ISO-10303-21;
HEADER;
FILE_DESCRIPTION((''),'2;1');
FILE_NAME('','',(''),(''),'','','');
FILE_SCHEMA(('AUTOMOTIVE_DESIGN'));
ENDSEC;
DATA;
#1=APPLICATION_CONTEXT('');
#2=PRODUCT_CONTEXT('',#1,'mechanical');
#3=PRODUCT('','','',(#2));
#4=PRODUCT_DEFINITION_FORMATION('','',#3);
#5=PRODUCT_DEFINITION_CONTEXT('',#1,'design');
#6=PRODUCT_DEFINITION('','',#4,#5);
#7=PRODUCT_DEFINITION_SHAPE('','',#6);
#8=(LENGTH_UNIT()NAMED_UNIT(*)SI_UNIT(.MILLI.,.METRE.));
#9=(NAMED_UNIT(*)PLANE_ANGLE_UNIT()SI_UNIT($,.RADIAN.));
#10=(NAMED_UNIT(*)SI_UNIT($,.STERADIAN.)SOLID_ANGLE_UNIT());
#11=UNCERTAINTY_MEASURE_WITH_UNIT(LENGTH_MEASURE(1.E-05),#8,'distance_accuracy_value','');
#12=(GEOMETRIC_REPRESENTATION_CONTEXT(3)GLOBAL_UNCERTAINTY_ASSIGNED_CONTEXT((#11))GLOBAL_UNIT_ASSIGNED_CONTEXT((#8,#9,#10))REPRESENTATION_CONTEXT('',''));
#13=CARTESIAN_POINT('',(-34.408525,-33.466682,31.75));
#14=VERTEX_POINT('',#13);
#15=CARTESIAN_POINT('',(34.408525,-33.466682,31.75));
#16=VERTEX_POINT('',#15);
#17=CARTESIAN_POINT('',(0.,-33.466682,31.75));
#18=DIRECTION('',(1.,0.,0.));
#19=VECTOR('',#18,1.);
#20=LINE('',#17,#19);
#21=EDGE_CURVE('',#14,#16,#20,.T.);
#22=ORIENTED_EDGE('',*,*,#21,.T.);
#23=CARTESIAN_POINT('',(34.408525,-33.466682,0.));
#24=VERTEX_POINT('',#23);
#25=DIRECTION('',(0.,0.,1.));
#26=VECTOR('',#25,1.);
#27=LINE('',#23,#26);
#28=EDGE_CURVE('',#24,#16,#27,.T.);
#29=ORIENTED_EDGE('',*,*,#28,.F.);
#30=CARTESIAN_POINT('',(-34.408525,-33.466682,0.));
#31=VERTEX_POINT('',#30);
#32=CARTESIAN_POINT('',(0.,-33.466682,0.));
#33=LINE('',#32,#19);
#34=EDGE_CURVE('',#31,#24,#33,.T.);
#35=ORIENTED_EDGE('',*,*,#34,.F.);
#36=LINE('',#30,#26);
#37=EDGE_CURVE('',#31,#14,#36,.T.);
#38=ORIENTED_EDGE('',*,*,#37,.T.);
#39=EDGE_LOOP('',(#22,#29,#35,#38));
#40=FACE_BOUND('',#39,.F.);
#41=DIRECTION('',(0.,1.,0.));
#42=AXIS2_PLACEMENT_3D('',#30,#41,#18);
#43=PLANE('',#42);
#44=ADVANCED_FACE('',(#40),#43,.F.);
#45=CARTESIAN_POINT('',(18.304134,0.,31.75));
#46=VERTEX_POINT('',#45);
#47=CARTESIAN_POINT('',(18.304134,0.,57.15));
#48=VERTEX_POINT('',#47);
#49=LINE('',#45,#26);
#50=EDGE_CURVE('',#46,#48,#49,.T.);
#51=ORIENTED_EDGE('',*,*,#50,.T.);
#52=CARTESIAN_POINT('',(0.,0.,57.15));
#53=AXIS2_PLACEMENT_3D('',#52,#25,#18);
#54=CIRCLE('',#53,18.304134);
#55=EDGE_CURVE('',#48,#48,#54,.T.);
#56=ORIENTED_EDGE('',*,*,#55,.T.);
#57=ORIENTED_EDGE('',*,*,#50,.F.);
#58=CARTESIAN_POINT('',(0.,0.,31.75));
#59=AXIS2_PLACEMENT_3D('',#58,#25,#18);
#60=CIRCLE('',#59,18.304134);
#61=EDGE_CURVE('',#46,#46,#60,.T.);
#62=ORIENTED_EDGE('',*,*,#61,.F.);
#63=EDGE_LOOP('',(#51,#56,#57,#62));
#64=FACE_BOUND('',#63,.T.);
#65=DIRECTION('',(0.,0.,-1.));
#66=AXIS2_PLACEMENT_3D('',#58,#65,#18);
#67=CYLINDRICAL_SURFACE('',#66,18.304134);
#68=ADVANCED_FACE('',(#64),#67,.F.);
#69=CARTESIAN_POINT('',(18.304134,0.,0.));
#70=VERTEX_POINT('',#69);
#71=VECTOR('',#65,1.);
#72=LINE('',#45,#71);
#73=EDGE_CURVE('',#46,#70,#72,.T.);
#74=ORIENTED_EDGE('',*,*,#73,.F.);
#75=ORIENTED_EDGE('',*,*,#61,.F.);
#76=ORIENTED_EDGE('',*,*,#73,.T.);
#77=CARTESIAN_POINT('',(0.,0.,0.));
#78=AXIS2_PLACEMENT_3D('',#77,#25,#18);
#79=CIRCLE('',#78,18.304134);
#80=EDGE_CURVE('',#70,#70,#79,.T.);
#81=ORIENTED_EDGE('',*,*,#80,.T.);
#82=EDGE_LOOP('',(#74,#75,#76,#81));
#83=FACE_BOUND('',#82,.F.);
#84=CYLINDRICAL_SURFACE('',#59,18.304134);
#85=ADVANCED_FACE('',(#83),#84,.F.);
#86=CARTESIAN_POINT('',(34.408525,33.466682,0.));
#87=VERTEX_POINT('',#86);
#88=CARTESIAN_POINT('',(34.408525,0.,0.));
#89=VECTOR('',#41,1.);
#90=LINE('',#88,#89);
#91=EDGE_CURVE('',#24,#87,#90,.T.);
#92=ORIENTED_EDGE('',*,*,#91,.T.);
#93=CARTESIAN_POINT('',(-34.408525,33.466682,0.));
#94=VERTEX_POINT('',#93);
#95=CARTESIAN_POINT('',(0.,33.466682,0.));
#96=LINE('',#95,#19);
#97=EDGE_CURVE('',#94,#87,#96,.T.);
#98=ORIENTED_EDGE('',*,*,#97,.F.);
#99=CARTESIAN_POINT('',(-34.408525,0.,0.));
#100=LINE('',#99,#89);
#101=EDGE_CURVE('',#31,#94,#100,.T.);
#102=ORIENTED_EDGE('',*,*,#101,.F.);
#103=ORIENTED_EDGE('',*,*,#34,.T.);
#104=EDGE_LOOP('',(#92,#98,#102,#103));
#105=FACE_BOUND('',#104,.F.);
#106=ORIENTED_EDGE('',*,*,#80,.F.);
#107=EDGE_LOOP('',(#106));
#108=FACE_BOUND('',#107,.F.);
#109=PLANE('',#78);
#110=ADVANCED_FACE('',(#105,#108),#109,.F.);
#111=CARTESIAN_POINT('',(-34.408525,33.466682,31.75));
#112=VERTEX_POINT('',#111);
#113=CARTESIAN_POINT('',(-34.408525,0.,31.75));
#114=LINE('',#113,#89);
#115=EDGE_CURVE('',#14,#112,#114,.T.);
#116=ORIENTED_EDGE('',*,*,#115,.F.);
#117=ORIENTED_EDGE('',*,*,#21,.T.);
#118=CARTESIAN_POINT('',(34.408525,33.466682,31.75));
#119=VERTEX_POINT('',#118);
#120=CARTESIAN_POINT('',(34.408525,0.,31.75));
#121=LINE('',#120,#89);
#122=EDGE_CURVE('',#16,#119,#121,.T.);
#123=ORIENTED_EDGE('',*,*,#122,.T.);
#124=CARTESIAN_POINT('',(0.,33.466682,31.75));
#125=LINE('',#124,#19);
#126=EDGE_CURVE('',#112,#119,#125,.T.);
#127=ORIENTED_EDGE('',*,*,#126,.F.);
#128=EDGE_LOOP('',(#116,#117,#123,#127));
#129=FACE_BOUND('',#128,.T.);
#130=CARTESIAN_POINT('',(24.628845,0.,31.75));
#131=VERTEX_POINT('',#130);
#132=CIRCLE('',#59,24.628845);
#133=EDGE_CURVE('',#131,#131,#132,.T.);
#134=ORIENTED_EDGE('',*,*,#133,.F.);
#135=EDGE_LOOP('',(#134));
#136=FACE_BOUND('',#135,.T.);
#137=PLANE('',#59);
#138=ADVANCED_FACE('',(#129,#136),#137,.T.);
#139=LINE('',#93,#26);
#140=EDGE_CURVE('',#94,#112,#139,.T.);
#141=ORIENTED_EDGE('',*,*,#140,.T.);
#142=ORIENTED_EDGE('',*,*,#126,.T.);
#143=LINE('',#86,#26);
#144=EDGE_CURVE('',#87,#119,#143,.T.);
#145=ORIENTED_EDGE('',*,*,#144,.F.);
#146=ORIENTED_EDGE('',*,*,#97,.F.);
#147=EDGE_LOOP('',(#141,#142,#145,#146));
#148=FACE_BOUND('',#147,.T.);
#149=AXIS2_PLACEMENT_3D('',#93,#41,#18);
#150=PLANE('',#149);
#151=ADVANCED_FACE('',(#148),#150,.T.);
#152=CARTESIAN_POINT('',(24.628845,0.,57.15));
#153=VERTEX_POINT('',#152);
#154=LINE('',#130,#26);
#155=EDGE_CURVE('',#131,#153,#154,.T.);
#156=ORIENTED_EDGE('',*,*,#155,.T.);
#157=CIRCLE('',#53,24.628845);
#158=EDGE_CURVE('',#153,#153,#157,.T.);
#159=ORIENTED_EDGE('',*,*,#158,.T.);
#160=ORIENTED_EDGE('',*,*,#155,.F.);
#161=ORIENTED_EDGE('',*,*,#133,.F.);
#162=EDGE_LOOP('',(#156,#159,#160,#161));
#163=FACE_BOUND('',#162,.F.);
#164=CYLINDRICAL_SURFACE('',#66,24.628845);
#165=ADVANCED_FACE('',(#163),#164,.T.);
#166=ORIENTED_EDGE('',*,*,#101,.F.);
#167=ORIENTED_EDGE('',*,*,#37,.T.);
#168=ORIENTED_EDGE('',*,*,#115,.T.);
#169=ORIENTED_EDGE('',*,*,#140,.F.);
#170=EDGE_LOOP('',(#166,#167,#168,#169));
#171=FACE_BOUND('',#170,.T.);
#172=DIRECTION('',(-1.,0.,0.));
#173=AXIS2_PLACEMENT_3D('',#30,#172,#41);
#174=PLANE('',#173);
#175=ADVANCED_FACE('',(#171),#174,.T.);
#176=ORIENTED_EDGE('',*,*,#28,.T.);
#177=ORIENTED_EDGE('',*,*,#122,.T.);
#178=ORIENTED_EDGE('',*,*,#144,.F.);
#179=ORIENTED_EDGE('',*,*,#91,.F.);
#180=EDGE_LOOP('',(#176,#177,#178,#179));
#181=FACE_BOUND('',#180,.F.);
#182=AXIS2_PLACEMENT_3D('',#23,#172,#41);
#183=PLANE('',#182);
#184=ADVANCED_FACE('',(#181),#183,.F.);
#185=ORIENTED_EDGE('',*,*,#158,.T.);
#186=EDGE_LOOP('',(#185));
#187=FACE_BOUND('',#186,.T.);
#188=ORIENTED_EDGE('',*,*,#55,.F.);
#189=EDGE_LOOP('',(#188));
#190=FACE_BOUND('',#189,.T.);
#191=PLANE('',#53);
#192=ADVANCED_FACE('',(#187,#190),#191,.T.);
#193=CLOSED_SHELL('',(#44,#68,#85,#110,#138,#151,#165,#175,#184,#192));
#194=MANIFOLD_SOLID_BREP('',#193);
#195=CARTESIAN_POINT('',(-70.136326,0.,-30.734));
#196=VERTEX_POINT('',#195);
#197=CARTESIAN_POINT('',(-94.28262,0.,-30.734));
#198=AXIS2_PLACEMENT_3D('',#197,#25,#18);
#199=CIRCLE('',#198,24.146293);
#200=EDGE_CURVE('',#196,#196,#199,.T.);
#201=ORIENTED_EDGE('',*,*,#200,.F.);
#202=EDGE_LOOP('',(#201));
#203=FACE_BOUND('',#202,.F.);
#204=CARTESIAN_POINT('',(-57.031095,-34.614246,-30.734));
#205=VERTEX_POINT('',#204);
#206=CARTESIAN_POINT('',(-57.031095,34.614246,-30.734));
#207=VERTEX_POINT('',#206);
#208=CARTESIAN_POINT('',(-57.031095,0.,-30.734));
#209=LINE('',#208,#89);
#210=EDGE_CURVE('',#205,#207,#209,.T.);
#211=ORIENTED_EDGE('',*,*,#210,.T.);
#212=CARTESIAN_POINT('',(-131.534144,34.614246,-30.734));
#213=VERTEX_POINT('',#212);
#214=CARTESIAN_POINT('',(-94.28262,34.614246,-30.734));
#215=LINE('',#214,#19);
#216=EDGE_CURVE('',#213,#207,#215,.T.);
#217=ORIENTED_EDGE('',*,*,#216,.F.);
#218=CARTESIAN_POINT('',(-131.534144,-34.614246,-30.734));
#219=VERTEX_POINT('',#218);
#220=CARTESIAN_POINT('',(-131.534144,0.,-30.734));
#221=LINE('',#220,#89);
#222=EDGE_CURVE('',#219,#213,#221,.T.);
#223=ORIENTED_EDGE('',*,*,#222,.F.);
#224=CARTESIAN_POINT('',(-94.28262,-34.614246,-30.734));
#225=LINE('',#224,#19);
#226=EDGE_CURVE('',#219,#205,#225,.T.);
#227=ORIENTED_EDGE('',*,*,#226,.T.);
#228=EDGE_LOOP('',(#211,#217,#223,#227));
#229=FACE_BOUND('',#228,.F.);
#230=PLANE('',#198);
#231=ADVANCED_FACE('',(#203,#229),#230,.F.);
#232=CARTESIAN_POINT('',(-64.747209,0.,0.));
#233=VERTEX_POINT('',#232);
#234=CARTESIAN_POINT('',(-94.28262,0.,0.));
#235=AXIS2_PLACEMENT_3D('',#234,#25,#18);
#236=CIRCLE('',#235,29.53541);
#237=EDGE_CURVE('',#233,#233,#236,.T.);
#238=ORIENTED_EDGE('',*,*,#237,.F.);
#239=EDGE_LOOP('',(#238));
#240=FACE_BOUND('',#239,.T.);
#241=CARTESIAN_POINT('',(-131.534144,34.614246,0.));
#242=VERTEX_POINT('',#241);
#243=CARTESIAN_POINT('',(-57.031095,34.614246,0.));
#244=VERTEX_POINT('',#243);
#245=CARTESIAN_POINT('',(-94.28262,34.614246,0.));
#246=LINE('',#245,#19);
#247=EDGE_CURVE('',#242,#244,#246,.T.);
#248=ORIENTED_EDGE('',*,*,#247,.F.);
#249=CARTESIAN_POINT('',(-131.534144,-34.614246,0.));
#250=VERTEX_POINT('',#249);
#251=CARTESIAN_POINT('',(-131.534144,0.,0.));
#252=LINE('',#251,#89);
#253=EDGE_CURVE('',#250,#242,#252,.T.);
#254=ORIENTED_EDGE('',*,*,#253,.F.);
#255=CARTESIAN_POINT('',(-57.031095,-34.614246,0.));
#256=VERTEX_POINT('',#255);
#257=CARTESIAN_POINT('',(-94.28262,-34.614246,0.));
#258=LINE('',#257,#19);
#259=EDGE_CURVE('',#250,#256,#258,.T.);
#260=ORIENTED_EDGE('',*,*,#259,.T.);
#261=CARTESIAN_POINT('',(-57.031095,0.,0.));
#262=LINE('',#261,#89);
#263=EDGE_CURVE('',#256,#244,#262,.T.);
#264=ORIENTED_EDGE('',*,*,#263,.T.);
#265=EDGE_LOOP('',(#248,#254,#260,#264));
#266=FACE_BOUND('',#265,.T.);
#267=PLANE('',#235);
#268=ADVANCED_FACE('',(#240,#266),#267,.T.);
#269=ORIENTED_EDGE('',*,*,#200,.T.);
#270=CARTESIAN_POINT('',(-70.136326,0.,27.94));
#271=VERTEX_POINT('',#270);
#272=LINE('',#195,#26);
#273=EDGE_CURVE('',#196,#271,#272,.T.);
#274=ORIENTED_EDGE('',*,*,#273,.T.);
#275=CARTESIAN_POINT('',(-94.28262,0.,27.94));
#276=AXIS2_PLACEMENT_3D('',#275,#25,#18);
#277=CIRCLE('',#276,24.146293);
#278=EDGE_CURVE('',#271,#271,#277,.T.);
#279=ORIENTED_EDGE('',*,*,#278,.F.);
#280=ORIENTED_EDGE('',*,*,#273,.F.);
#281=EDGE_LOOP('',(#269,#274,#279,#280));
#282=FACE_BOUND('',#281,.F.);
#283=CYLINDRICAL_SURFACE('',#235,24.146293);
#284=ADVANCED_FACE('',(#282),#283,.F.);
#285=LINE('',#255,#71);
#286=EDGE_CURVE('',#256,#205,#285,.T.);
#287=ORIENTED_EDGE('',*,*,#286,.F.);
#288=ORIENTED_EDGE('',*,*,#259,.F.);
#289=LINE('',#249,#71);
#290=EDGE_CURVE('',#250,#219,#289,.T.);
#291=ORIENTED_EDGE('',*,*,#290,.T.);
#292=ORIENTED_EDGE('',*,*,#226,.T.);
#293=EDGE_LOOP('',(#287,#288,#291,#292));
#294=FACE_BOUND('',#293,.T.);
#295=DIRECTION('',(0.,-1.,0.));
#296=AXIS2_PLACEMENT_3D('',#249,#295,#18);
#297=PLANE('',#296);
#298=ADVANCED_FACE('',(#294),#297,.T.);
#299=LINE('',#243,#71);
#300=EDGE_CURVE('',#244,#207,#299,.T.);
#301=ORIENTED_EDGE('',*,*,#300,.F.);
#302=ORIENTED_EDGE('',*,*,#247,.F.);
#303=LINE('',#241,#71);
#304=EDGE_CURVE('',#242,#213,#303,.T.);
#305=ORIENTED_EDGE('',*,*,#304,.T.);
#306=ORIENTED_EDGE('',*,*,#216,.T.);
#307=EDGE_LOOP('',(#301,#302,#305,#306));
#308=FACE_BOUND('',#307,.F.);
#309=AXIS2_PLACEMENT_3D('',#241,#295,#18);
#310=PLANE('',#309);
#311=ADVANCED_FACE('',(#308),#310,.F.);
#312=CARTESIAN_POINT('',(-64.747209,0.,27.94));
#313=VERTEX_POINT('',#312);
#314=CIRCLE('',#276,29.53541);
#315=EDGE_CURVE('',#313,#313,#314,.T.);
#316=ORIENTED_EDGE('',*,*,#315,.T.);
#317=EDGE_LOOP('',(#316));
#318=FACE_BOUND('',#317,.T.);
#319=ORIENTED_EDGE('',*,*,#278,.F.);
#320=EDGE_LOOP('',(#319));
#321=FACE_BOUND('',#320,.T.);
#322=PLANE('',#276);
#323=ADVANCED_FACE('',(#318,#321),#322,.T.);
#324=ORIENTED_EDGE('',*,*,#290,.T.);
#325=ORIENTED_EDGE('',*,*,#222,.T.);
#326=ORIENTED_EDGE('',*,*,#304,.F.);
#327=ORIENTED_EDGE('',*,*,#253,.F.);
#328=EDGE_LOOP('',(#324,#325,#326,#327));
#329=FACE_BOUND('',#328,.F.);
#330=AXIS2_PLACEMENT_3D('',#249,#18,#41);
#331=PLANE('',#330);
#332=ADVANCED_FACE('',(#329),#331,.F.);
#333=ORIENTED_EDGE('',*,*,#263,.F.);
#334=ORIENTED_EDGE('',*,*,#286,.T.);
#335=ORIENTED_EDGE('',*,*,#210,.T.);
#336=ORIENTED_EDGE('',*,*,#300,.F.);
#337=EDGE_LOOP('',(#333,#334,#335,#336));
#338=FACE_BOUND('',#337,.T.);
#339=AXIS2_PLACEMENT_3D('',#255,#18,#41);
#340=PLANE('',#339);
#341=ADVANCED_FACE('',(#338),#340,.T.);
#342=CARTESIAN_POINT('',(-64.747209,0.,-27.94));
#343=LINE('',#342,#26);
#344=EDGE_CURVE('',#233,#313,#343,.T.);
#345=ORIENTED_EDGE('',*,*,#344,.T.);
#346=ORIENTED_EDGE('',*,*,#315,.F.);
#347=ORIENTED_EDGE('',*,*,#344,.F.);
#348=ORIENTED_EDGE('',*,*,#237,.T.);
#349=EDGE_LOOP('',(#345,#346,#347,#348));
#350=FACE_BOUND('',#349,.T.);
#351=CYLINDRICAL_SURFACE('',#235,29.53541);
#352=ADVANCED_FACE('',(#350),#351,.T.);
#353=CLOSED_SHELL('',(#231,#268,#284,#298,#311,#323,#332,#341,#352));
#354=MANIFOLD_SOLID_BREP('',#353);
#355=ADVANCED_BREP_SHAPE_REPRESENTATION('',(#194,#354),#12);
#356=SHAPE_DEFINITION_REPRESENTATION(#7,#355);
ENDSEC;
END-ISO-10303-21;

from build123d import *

# Parameters (mm, degrees)
F0_W      = 68.8170492649
F0_H      = 66.9333636761
F1_DEPTH  = 31.75
F2_R      = 18.3041335775
F3_DEPTH  = 140.462
F4_R      = 24.6288447619
F4_R_2    = 18.3041335775
F5_DEPTH  = 25.4
F6_W      = 74.5030492544
F6_H      = 69.2284926772
F6_R      = 24.1462933533
F7_DEPTH  = 30.734
F9_R      = 29.5354101633
F9_R_2    = 24.1462933533
F10_DEPTH = 27.94


with BuildPart() as f1:
    # F0 (on Top) → F1 (new body)
    with BuildSketch(Plane.XY):
        Rectangle(F0_W, F0_H)
    extrude(amount=F1_DEPTH)

    # F2 (on face) → F3 (cut)
    with BuildSketch(Plane.XY.offset(31.75)):
        Circle(F2_R)
    extrude(amount=-F3_DEPTH, mode=Mode.SUBTRACT)

    # F4 (on face) → F5 (join)
    with BuildSketch(Plane.XY.offset(31.75)):
        Circle(F4_R)
        Circle(F4_R_2, mode=Mode.SUBTRACT)
    extrude(amount=F5_DEPTH)


with BuildPart() as f7:
    # F6 (on Top) → F7 (new body)
    with BuildSketch(Plane.XY):
        with Locations((-94.2826196551, 0)):
            Rectangle(F6_W, F6_H)
        with Locations((-94.2826196551, 0)):
            Circle(F6_R, mode=Mode.SUBTRACT)
    extrude(amount=-F7_DEPTH)

    # F9 (on face) → F10 (join, symmetric)
    with BuildSketch(Plane.XY):
        with Locations((-94.2826196551, 0)):
            Circle(F9_R)
        with Locations((-94.2826196551, 0)):
            Circle(F9_R_2, mode=Mode.SUBTRACT)
    extrude(amount=F10_DEPTH, both=True)


solid = Compound([f1.part, f7.part])
